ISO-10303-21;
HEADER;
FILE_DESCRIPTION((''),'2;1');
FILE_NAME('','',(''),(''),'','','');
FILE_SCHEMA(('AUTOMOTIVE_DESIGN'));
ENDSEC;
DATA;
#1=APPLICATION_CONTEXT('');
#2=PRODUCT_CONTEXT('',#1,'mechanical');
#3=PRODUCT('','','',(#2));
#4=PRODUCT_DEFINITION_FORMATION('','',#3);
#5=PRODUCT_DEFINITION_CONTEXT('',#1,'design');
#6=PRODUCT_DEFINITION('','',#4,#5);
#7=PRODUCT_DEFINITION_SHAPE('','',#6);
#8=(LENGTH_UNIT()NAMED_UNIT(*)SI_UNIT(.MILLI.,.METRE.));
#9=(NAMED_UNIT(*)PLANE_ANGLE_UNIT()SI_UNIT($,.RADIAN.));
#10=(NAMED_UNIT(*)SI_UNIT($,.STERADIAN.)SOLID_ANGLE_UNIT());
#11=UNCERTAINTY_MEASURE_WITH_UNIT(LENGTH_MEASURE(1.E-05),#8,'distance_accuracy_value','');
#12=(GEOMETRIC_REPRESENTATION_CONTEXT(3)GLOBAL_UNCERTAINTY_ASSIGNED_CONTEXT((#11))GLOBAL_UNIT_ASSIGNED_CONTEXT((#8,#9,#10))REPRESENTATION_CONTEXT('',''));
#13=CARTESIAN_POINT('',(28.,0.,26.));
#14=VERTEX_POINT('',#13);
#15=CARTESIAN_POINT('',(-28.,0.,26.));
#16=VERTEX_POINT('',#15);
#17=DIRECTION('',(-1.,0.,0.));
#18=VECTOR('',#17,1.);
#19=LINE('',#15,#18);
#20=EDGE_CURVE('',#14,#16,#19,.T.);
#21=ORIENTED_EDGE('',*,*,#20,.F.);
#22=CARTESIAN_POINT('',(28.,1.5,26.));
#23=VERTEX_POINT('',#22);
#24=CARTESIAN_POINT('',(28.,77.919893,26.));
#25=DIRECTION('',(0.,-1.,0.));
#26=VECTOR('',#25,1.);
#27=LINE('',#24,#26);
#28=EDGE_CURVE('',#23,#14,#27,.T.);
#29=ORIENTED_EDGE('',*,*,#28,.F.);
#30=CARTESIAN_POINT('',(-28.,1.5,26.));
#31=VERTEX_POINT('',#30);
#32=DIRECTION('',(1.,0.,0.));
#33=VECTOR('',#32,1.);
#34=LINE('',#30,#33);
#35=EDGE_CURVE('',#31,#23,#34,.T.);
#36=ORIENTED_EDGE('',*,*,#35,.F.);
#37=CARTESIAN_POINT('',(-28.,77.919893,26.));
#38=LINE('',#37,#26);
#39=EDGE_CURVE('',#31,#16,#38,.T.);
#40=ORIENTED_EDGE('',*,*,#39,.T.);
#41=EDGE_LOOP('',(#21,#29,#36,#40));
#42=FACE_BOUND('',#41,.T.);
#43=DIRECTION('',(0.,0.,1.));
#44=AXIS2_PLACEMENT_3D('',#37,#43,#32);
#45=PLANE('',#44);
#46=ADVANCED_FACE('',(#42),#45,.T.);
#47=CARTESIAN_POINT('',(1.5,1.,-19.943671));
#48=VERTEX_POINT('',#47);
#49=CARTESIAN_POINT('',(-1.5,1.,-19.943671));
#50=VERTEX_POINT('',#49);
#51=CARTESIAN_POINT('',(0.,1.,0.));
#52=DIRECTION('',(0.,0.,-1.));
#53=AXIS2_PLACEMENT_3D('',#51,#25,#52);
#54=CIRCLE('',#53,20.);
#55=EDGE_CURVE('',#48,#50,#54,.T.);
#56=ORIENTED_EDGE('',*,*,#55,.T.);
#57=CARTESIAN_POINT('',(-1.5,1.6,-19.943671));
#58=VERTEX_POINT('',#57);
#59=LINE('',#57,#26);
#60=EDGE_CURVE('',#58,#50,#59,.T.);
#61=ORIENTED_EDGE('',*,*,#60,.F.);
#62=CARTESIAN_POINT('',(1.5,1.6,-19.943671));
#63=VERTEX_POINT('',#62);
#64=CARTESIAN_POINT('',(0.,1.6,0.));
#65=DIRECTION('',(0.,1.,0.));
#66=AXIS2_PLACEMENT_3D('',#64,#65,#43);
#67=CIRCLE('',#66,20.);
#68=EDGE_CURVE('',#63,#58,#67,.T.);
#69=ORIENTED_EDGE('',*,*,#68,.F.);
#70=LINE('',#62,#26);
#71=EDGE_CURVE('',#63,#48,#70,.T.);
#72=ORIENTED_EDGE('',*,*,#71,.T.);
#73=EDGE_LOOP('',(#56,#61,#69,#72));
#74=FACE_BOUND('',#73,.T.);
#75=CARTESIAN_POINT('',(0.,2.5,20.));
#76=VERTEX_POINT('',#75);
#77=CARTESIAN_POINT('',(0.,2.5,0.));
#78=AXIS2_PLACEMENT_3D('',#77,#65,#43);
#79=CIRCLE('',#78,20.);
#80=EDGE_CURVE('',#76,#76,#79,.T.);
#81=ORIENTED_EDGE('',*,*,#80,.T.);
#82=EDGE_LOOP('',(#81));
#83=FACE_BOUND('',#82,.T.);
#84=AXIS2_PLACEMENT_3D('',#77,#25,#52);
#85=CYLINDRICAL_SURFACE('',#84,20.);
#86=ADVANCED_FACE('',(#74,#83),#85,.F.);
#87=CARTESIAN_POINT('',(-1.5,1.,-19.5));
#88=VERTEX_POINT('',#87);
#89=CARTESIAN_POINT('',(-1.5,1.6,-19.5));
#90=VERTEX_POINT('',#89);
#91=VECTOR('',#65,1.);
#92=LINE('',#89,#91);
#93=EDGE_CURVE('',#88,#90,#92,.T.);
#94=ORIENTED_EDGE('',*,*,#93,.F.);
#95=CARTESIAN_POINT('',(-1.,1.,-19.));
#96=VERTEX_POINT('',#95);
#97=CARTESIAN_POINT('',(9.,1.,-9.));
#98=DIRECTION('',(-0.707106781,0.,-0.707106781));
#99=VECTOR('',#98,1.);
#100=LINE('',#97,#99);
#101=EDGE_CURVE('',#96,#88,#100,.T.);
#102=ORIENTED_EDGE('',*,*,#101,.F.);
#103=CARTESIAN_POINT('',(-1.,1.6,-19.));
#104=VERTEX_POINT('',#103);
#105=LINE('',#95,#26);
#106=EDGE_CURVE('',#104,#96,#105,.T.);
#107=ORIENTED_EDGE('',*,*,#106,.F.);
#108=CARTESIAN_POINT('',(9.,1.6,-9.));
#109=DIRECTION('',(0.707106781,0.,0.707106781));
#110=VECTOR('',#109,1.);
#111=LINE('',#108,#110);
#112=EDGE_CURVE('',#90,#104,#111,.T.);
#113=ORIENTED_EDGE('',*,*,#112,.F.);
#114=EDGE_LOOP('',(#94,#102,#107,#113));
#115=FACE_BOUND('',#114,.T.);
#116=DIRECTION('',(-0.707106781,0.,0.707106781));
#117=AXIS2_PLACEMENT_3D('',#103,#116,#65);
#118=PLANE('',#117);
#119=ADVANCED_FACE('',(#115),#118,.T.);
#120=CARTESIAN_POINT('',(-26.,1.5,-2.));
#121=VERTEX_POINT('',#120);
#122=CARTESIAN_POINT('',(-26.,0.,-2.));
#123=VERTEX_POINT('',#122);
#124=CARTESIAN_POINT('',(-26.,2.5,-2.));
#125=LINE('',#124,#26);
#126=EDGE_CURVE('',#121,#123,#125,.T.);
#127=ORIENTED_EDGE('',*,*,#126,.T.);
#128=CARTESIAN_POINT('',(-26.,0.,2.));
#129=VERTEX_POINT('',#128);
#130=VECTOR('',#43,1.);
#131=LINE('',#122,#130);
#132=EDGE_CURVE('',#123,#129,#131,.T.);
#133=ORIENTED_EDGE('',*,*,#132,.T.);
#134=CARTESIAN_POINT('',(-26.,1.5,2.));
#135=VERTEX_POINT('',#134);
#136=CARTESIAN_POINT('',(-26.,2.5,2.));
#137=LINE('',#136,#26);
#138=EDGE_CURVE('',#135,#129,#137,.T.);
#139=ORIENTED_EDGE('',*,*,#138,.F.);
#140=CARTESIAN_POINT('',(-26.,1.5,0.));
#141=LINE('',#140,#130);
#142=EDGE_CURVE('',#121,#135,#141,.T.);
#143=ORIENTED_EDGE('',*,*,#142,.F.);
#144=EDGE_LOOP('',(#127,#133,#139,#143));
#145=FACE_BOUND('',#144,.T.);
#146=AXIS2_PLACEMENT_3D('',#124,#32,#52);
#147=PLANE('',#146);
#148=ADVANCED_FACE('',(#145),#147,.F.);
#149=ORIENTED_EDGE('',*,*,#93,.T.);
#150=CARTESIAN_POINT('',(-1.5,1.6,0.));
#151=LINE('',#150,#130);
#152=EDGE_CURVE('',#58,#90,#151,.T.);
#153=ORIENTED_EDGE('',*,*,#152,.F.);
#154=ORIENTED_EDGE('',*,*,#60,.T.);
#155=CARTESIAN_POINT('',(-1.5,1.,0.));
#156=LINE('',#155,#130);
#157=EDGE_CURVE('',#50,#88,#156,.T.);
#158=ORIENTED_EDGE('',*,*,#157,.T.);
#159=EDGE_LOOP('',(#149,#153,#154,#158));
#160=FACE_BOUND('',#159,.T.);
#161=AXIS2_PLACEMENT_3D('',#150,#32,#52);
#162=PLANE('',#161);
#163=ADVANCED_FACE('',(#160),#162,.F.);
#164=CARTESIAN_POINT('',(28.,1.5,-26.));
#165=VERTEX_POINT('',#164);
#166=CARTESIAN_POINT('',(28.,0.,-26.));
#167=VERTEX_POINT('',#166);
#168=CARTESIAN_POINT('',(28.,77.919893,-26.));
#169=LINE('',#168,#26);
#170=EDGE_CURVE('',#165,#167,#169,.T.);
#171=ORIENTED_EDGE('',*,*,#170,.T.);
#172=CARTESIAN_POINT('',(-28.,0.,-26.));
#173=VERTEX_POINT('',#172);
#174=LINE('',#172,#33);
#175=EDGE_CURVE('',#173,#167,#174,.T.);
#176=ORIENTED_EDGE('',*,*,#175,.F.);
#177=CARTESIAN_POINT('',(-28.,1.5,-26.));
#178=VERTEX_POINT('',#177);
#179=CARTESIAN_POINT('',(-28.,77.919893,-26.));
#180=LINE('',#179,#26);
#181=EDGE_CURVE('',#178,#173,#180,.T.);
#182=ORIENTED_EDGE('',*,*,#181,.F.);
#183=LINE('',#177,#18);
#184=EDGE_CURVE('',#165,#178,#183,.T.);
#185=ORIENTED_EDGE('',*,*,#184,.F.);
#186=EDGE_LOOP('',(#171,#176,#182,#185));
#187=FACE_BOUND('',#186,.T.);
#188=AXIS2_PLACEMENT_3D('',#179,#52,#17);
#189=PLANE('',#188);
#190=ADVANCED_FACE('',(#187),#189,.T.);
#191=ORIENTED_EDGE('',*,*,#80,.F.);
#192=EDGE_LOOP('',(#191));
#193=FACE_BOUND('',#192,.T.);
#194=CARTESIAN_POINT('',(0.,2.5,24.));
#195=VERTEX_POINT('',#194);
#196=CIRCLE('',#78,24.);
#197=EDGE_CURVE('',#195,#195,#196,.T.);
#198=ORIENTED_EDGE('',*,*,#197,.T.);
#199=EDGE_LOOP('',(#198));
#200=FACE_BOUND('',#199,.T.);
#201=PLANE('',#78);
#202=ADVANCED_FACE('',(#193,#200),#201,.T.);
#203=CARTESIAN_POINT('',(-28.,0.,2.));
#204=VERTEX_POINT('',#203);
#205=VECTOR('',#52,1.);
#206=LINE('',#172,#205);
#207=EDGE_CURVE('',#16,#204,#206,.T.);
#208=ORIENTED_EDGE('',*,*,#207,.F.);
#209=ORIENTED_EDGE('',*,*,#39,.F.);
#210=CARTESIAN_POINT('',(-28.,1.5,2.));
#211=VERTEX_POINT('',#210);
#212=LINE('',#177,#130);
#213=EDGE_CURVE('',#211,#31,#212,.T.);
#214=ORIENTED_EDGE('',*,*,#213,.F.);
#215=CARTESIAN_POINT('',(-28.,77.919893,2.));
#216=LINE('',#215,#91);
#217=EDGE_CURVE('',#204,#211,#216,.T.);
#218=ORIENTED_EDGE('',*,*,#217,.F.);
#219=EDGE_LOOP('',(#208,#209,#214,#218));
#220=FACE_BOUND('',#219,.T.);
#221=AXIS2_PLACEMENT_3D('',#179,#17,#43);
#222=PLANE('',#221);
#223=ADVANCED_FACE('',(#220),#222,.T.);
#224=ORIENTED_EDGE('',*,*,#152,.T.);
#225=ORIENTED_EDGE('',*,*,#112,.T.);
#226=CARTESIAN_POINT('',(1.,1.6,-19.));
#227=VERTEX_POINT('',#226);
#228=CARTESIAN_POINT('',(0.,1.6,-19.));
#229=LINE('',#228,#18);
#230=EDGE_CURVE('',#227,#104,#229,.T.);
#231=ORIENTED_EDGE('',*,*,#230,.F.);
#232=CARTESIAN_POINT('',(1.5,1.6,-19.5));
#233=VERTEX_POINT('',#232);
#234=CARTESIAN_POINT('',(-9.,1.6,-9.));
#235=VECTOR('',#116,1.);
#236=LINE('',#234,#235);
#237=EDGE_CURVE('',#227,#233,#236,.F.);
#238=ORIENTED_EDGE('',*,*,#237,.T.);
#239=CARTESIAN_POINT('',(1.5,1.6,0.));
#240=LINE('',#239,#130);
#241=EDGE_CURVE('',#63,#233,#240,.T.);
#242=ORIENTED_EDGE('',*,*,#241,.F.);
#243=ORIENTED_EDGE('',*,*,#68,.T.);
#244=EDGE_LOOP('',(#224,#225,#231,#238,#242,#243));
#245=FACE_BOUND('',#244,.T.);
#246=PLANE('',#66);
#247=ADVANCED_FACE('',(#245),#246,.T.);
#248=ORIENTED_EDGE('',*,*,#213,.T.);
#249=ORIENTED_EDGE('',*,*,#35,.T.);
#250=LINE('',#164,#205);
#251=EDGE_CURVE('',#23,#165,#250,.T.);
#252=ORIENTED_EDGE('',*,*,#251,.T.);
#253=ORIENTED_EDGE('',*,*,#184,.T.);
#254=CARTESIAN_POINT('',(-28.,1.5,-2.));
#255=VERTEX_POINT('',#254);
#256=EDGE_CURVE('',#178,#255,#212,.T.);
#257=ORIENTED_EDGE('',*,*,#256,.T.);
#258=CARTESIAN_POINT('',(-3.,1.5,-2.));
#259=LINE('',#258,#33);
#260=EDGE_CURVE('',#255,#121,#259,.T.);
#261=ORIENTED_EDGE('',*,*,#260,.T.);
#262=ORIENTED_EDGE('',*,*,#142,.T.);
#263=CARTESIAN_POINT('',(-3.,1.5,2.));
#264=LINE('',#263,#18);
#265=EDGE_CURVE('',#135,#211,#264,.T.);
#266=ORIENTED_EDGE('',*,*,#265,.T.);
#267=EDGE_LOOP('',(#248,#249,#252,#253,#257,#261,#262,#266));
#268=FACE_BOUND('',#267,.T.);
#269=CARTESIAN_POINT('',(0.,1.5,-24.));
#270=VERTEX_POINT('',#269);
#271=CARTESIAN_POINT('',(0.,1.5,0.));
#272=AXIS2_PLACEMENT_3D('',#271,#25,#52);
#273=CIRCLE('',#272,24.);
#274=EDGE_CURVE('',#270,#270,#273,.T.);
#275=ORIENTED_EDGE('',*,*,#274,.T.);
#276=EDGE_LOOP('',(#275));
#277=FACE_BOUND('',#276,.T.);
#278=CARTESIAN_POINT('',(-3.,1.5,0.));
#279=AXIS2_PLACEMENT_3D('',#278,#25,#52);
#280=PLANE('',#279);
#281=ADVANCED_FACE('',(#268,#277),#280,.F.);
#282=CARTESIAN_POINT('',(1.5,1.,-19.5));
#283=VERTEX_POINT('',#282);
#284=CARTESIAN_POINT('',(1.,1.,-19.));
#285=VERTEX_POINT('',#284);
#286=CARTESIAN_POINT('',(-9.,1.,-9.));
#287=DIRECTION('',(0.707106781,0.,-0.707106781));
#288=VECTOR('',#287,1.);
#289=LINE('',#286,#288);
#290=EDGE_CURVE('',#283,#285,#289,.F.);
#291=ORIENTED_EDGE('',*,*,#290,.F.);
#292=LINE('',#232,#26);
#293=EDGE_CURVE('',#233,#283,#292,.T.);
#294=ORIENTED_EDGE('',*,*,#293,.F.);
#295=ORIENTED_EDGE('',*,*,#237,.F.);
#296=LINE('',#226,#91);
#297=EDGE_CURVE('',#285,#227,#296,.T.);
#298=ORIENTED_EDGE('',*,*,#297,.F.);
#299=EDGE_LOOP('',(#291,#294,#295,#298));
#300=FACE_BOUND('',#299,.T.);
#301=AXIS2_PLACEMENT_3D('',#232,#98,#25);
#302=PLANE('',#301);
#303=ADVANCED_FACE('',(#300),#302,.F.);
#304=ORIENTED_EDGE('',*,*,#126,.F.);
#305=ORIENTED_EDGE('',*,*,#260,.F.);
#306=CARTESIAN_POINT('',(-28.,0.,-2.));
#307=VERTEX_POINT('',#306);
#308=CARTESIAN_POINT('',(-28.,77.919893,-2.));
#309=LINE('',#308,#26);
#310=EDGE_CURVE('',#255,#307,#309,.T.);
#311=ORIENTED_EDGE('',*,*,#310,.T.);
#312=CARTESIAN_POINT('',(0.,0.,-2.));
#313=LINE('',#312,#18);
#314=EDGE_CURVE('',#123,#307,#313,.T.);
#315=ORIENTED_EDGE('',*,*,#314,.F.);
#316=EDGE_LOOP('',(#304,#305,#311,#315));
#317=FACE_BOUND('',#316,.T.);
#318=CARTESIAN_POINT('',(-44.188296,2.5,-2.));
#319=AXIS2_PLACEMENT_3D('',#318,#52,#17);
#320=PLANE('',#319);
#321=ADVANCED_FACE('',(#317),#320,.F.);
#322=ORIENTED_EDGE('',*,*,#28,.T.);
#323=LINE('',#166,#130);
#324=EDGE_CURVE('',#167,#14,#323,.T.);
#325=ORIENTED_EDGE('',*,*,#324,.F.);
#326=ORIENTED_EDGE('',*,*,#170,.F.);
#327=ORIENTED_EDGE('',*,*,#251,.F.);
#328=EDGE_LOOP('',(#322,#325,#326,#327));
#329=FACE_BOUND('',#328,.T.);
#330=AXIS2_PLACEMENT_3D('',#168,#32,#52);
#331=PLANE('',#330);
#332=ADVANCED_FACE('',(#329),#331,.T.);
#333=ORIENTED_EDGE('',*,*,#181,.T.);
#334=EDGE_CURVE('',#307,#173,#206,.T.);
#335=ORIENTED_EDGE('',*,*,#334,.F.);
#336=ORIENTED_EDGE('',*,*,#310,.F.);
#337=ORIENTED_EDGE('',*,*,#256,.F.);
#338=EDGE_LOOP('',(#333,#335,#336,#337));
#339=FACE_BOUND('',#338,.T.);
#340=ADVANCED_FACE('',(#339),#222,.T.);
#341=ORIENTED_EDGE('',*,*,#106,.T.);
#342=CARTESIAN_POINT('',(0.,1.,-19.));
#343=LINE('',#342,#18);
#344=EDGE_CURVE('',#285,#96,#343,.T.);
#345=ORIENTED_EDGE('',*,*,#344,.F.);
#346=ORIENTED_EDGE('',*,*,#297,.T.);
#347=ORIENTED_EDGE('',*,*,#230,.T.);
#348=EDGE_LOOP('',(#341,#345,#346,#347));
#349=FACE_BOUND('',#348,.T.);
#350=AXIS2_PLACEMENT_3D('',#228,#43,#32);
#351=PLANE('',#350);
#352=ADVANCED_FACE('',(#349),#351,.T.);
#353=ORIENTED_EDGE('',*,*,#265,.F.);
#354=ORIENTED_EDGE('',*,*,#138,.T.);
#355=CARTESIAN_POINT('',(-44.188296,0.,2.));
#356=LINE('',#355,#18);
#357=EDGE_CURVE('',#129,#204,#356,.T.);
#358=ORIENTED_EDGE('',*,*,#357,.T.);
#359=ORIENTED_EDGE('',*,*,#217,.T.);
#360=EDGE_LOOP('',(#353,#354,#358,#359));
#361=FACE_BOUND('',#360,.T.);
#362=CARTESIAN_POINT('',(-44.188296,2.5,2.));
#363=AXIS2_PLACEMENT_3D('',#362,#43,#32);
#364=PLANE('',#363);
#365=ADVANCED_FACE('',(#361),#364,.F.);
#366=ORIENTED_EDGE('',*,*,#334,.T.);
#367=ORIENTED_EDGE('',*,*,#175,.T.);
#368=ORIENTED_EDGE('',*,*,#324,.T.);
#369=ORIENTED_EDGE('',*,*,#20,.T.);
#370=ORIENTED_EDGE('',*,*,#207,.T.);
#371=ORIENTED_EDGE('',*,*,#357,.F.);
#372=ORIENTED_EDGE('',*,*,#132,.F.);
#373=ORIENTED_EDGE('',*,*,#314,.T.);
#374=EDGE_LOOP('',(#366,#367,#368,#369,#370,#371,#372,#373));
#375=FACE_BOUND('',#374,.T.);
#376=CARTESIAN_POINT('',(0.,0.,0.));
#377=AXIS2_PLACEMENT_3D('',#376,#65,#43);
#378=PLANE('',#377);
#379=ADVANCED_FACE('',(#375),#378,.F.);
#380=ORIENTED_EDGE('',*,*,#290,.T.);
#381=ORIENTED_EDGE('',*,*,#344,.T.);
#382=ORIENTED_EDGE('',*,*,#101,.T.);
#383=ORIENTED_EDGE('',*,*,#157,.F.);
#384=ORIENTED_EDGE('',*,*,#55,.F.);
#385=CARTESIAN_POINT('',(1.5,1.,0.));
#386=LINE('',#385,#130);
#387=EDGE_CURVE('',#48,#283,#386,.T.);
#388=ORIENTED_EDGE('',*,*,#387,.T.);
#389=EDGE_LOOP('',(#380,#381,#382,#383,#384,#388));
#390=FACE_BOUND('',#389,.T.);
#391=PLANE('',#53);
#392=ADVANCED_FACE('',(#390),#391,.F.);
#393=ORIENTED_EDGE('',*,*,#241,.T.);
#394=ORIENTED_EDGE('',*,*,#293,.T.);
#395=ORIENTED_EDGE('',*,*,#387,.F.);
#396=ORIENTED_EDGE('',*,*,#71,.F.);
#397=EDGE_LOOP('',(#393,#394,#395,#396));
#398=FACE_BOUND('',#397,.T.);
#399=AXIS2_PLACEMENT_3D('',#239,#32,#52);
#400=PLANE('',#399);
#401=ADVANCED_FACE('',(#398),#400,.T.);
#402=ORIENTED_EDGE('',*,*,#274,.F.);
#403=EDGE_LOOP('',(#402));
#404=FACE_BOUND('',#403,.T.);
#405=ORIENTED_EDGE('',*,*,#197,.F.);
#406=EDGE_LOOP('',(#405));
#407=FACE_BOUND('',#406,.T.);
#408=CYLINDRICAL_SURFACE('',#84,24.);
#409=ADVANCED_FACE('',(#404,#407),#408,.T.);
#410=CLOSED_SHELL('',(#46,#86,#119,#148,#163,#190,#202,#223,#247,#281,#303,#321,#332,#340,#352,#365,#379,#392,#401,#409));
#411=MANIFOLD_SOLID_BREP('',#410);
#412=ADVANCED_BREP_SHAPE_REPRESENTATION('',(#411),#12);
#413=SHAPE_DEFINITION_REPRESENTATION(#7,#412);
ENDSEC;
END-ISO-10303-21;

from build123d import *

# Parameters (mm, degrees)
SKETCH1_R           = 24
SKETCH1_R_2         = 20
BOSS_EXTRUDE1_DEPTH = 2.5
SKETCH2_R           = 24
BOSS_EXTRUDE2_DEPTH = 1
SKETCH3_W           = 56
SKETCH3_H           = 52
SKETCH3_R           = 24
BOSS_EXTRUDE3_DEPTH = 1.5
BOSS_EXTRUDE4_DEPTH = 0.6
CHAMFER1_SIZE       = 0.5
SKETCH5_W           = 18.188296091
SKETCH5_H           = 4
CUT_EXTRUDE1_DEPTH  = 39.291643997


with BuildPart() as part:
    # Sketch1 → Boss-Extrude1 (new body)
    with BuildSketch(Plane(origin=(0, 0, 0), x_dir=(1, 0, 0), z_dir=(0, 1, 0))):
        with Locations(Location((0, 0, 0), (0, 0, 270))):
            Circle(SKETCH1_R)
        with Locations(Location((0, 0, 0), (0, 0, 270))):
            Circle(SKETCH1_R_2, mode=Mode.SUBTRACT)
    extrude(amount=BOSS_EXTRUDE1_DEPTH)

    # Sketch2 → Boss-Extrude2 (add)
    with BuildSketch(Plane.XZ):
        with Locations(Location((0, 0, 0), (0, 0, 90))):
            Circle(SKETCH2_R)
    extrude(amount=-BOSS_EXTRUDE2_DEPTH)

    # Sketch3 → Boss-Extrude3 (add)
    with BuildSketch(Plane.XZ):
        Rectangle(SKETCH3_W, SKETCH3_H)
        with Locations(Location((0, 0, 0), (0, 0, 270))):
            Circle(SKETCH3_R, mode=Mode.SUBTRACT)
    extrude(amount=-BOSS_EXTRUDE3_DEPTH)

    # Sketch4 → Boss-Extrude4 (add)
    with BuildSketch(Plane(origin=(0, 1, 0), x_dir=(1, 0, 0), z_dir=(0, 1, 0))):
        with BuildLine():
            Line((1.5, 19), (1.5, 19.943670675))
            ThreePointArc((1.5, 19.943670675), (0, 20), (-1.5, 19.943670675))
            Line((-1.5, 19.943670675), (-1.5, 19))
            Line((-1.5, 19), (1.5, 19))
        make_face()
    extrude(amount=BOSS_EXTRUDE4_DEPTH)

    # Chamfer1
    chamfer1_edges = [part.edges().sort_by_distance(p)[0] for p in [
        (-1.5, 1.3, -19),
        (1.5, 1.3, -19),
    ]]
    chamfer(chamfer1_edges, length=CHAMFER1_SIZE)

    # Sketch5 → Cut-Extrude1 (cut, through all)
    with BuildSketch(Plane.XZ):
        with Locations((-35.094148046, 0)):
            Rectangle(SKETCH5_W, SKETCH5_H)
    extrude(amount=-CUT_EXTRUDE1_DEPTH, mode=Mode.SUBTRACT)


solid = part.part
